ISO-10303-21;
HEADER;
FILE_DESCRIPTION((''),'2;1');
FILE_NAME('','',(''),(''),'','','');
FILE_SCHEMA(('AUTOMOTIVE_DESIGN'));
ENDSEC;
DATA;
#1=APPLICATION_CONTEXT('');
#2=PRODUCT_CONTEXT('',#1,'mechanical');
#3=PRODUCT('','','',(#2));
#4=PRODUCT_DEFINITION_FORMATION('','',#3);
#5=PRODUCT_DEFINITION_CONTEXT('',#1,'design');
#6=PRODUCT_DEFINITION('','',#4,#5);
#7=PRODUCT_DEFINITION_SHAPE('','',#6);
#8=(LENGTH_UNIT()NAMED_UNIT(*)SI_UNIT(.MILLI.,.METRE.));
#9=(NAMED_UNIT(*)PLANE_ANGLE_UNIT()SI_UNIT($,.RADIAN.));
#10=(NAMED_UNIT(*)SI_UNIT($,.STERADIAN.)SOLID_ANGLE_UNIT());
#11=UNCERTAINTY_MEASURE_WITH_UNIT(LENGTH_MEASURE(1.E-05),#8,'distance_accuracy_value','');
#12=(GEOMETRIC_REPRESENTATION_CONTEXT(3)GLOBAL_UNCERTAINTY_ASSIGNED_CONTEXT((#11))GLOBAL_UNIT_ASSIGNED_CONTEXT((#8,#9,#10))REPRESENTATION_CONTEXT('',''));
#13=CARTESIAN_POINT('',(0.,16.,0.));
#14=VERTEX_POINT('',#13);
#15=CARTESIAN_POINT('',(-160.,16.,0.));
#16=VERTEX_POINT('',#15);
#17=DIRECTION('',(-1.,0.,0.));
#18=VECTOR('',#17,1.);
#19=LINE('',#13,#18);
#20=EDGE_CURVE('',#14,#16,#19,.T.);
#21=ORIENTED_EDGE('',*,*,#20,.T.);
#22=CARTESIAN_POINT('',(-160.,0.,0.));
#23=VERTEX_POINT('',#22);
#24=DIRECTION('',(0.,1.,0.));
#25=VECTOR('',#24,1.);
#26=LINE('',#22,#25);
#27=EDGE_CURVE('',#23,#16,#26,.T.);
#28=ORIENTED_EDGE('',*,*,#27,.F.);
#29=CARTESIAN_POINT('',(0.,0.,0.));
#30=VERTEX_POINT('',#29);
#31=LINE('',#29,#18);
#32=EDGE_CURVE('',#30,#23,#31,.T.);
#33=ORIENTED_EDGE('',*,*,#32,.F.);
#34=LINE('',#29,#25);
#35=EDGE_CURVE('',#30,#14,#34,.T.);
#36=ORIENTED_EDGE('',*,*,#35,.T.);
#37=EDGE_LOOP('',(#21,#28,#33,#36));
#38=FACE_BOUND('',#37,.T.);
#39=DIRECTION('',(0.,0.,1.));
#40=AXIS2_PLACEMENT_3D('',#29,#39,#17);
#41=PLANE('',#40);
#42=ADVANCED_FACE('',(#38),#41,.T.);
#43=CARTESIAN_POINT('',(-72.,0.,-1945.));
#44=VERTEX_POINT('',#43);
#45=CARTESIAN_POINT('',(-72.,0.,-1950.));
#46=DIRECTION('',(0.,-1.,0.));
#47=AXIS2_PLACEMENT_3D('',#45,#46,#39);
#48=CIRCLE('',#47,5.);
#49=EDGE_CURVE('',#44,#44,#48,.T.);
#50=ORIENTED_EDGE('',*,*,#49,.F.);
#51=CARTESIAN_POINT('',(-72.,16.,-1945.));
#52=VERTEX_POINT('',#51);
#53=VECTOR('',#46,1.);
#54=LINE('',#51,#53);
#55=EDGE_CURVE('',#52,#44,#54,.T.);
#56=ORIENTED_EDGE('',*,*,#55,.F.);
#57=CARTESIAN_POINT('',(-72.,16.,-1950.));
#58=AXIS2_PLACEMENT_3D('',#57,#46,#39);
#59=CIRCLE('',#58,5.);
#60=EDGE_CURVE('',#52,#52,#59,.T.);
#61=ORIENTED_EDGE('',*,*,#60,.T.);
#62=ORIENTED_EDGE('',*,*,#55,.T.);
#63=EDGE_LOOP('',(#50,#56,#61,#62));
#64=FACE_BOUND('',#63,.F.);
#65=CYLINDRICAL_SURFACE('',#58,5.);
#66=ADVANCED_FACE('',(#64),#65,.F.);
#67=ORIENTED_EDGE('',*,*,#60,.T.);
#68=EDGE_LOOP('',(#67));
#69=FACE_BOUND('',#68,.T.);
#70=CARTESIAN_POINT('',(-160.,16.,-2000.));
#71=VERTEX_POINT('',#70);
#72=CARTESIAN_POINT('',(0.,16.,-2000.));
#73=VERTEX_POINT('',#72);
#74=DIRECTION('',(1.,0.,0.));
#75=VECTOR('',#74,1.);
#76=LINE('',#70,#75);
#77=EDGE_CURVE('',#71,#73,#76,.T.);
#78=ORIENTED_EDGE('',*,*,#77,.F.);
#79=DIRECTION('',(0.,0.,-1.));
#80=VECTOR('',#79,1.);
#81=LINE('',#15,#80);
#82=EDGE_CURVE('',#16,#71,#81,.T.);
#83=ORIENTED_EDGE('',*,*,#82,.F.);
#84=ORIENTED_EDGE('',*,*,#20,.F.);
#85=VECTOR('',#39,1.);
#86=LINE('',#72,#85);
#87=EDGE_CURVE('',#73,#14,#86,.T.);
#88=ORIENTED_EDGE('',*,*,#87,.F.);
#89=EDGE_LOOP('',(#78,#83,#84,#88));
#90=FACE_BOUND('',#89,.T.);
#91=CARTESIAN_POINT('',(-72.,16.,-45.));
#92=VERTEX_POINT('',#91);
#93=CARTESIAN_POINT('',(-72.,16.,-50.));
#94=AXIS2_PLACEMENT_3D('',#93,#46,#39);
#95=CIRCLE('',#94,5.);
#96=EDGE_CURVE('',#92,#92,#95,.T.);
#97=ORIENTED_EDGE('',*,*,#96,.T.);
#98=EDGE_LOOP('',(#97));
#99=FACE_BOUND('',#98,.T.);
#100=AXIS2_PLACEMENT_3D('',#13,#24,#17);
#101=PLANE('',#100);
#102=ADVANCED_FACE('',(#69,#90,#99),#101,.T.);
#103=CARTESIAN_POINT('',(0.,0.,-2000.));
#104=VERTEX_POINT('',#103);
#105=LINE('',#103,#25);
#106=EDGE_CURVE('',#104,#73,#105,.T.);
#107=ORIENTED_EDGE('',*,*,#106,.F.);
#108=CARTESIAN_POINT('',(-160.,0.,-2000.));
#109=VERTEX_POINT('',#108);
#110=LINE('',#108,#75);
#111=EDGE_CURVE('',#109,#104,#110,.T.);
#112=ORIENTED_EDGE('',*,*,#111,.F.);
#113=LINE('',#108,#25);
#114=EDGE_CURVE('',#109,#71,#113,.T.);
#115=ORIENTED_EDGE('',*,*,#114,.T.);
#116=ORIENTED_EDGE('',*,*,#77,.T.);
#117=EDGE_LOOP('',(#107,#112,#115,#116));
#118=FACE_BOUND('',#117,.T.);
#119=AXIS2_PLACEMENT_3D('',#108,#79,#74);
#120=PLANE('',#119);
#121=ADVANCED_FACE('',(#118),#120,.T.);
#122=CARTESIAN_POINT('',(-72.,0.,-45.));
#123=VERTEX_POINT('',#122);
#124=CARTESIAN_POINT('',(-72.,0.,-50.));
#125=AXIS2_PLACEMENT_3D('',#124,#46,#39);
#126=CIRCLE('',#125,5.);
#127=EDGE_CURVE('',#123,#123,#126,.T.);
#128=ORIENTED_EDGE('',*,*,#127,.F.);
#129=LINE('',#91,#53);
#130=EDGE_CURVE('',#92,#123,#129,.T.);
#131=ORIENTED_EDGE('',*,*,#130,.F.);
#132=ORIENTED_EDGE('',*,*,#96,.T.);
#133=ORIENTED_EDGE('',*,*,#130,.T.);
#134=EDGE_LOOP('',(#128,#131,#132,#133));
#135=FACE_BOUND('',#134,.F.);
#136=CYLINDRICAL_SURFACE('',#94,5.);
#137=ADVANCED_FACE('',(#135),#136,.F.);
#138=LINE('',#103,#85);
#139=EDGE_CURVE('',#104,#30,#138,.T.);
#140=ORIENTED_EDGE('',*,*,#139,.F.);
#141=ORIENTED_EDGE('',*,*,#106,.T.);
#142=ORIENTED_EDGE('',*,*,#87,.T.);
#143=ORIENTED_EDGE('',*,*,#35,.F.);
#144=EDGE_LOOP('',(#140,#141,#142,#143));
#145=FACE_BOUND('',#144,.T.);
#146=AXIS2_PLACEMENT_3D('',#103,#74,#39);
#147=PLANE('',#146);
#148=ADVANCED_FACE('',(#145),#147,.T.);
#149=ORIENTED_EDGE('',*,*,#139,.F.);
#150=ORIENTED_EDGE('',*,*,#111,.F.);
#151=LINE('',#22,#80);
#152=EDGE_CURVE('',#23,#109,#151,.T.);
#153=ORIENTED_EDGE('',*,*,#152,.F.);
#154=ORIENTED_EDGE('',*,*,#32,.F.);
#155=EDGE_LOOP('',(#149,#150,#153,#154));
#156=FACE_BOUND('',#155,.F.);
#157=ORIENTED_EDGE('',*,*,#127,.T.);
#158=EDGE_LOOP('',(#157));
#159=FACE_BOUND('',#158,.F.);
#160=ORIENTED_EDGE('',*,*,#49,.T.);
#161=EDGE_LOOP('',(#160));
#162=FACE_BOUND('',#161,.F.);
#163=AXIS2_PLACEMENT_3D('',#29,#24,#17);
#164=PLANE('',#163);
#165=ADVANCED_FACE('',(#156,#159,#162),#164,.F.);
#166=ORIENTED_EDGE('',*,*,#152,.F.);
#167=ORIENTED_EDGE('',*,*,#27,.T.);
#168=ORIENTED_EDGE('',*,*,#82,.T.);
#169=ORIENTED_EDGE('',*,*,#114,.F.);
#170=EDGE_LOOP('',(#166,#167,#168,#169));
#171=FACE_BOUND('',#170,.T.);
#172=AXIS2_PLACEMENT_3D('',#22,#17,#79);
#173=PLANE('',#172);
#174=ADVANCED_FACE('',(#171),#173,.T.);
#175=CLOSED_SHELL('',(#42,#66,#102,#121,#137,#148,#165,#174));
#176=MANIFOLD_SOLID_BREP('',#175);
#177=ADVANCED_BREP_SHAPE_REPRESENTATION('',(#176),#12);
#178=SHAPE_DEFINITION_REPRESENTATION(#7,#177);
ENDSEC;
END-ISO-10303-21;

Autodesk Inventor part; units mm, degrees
ref_plane "YZ Plane" through (0, 0, 0) normal (1, 0, 0) x (0, 1, 0)
ref_plane "XZ Plane" through (0, 0, 0) normal (0, 1, 0) x (-1, 0, 0)
ref_plane "XY Plane" through (0, 0, 0) normal (0, 0, 1) x (1, 0, 0)
sketch "Skizze1" plane through (0, 0, 0) normal (0, 1, 0) x (-1, 0, 0)
  line L0 (0, 0) -> (160, 0)
  line L1 (160, 0) -> (160, -2000)
  line L2 (160, -2000) -> (0, -2000)
  line L3 (0, -2000) -> (0, 0)
  dimension "d0" = 160
  dimension "d1" = 2000
extrude "Extrusion1" add sketch "Skizze1" along normal blind 16
sketch "Skizze2" plane through (0, 16, 0) normal (0, 1, 0) x (1, 0, 0)
  line L0 (-160, 0) -> (0, 0) projected
  line L1 (0, 0) -> (0, 2000) projected
  line L2 (0, 2000) -> (-160, 2000) projected
  line L3 (-160, 2000) -> (-160, 0) projected
  point P0 (-72, 50)
  point P1 (-72, 1950)
  dimension "d5" = 50
  dimension "d6" = 50
  dimension "d16" = 72
hole "Bohrung1" at (-72, 16, -50) at (-72, 16, -1950) direction (0, -1, 0) diameter 10 end through all
properties part number "spielfeld_trennwand" material "Spanplatte"
